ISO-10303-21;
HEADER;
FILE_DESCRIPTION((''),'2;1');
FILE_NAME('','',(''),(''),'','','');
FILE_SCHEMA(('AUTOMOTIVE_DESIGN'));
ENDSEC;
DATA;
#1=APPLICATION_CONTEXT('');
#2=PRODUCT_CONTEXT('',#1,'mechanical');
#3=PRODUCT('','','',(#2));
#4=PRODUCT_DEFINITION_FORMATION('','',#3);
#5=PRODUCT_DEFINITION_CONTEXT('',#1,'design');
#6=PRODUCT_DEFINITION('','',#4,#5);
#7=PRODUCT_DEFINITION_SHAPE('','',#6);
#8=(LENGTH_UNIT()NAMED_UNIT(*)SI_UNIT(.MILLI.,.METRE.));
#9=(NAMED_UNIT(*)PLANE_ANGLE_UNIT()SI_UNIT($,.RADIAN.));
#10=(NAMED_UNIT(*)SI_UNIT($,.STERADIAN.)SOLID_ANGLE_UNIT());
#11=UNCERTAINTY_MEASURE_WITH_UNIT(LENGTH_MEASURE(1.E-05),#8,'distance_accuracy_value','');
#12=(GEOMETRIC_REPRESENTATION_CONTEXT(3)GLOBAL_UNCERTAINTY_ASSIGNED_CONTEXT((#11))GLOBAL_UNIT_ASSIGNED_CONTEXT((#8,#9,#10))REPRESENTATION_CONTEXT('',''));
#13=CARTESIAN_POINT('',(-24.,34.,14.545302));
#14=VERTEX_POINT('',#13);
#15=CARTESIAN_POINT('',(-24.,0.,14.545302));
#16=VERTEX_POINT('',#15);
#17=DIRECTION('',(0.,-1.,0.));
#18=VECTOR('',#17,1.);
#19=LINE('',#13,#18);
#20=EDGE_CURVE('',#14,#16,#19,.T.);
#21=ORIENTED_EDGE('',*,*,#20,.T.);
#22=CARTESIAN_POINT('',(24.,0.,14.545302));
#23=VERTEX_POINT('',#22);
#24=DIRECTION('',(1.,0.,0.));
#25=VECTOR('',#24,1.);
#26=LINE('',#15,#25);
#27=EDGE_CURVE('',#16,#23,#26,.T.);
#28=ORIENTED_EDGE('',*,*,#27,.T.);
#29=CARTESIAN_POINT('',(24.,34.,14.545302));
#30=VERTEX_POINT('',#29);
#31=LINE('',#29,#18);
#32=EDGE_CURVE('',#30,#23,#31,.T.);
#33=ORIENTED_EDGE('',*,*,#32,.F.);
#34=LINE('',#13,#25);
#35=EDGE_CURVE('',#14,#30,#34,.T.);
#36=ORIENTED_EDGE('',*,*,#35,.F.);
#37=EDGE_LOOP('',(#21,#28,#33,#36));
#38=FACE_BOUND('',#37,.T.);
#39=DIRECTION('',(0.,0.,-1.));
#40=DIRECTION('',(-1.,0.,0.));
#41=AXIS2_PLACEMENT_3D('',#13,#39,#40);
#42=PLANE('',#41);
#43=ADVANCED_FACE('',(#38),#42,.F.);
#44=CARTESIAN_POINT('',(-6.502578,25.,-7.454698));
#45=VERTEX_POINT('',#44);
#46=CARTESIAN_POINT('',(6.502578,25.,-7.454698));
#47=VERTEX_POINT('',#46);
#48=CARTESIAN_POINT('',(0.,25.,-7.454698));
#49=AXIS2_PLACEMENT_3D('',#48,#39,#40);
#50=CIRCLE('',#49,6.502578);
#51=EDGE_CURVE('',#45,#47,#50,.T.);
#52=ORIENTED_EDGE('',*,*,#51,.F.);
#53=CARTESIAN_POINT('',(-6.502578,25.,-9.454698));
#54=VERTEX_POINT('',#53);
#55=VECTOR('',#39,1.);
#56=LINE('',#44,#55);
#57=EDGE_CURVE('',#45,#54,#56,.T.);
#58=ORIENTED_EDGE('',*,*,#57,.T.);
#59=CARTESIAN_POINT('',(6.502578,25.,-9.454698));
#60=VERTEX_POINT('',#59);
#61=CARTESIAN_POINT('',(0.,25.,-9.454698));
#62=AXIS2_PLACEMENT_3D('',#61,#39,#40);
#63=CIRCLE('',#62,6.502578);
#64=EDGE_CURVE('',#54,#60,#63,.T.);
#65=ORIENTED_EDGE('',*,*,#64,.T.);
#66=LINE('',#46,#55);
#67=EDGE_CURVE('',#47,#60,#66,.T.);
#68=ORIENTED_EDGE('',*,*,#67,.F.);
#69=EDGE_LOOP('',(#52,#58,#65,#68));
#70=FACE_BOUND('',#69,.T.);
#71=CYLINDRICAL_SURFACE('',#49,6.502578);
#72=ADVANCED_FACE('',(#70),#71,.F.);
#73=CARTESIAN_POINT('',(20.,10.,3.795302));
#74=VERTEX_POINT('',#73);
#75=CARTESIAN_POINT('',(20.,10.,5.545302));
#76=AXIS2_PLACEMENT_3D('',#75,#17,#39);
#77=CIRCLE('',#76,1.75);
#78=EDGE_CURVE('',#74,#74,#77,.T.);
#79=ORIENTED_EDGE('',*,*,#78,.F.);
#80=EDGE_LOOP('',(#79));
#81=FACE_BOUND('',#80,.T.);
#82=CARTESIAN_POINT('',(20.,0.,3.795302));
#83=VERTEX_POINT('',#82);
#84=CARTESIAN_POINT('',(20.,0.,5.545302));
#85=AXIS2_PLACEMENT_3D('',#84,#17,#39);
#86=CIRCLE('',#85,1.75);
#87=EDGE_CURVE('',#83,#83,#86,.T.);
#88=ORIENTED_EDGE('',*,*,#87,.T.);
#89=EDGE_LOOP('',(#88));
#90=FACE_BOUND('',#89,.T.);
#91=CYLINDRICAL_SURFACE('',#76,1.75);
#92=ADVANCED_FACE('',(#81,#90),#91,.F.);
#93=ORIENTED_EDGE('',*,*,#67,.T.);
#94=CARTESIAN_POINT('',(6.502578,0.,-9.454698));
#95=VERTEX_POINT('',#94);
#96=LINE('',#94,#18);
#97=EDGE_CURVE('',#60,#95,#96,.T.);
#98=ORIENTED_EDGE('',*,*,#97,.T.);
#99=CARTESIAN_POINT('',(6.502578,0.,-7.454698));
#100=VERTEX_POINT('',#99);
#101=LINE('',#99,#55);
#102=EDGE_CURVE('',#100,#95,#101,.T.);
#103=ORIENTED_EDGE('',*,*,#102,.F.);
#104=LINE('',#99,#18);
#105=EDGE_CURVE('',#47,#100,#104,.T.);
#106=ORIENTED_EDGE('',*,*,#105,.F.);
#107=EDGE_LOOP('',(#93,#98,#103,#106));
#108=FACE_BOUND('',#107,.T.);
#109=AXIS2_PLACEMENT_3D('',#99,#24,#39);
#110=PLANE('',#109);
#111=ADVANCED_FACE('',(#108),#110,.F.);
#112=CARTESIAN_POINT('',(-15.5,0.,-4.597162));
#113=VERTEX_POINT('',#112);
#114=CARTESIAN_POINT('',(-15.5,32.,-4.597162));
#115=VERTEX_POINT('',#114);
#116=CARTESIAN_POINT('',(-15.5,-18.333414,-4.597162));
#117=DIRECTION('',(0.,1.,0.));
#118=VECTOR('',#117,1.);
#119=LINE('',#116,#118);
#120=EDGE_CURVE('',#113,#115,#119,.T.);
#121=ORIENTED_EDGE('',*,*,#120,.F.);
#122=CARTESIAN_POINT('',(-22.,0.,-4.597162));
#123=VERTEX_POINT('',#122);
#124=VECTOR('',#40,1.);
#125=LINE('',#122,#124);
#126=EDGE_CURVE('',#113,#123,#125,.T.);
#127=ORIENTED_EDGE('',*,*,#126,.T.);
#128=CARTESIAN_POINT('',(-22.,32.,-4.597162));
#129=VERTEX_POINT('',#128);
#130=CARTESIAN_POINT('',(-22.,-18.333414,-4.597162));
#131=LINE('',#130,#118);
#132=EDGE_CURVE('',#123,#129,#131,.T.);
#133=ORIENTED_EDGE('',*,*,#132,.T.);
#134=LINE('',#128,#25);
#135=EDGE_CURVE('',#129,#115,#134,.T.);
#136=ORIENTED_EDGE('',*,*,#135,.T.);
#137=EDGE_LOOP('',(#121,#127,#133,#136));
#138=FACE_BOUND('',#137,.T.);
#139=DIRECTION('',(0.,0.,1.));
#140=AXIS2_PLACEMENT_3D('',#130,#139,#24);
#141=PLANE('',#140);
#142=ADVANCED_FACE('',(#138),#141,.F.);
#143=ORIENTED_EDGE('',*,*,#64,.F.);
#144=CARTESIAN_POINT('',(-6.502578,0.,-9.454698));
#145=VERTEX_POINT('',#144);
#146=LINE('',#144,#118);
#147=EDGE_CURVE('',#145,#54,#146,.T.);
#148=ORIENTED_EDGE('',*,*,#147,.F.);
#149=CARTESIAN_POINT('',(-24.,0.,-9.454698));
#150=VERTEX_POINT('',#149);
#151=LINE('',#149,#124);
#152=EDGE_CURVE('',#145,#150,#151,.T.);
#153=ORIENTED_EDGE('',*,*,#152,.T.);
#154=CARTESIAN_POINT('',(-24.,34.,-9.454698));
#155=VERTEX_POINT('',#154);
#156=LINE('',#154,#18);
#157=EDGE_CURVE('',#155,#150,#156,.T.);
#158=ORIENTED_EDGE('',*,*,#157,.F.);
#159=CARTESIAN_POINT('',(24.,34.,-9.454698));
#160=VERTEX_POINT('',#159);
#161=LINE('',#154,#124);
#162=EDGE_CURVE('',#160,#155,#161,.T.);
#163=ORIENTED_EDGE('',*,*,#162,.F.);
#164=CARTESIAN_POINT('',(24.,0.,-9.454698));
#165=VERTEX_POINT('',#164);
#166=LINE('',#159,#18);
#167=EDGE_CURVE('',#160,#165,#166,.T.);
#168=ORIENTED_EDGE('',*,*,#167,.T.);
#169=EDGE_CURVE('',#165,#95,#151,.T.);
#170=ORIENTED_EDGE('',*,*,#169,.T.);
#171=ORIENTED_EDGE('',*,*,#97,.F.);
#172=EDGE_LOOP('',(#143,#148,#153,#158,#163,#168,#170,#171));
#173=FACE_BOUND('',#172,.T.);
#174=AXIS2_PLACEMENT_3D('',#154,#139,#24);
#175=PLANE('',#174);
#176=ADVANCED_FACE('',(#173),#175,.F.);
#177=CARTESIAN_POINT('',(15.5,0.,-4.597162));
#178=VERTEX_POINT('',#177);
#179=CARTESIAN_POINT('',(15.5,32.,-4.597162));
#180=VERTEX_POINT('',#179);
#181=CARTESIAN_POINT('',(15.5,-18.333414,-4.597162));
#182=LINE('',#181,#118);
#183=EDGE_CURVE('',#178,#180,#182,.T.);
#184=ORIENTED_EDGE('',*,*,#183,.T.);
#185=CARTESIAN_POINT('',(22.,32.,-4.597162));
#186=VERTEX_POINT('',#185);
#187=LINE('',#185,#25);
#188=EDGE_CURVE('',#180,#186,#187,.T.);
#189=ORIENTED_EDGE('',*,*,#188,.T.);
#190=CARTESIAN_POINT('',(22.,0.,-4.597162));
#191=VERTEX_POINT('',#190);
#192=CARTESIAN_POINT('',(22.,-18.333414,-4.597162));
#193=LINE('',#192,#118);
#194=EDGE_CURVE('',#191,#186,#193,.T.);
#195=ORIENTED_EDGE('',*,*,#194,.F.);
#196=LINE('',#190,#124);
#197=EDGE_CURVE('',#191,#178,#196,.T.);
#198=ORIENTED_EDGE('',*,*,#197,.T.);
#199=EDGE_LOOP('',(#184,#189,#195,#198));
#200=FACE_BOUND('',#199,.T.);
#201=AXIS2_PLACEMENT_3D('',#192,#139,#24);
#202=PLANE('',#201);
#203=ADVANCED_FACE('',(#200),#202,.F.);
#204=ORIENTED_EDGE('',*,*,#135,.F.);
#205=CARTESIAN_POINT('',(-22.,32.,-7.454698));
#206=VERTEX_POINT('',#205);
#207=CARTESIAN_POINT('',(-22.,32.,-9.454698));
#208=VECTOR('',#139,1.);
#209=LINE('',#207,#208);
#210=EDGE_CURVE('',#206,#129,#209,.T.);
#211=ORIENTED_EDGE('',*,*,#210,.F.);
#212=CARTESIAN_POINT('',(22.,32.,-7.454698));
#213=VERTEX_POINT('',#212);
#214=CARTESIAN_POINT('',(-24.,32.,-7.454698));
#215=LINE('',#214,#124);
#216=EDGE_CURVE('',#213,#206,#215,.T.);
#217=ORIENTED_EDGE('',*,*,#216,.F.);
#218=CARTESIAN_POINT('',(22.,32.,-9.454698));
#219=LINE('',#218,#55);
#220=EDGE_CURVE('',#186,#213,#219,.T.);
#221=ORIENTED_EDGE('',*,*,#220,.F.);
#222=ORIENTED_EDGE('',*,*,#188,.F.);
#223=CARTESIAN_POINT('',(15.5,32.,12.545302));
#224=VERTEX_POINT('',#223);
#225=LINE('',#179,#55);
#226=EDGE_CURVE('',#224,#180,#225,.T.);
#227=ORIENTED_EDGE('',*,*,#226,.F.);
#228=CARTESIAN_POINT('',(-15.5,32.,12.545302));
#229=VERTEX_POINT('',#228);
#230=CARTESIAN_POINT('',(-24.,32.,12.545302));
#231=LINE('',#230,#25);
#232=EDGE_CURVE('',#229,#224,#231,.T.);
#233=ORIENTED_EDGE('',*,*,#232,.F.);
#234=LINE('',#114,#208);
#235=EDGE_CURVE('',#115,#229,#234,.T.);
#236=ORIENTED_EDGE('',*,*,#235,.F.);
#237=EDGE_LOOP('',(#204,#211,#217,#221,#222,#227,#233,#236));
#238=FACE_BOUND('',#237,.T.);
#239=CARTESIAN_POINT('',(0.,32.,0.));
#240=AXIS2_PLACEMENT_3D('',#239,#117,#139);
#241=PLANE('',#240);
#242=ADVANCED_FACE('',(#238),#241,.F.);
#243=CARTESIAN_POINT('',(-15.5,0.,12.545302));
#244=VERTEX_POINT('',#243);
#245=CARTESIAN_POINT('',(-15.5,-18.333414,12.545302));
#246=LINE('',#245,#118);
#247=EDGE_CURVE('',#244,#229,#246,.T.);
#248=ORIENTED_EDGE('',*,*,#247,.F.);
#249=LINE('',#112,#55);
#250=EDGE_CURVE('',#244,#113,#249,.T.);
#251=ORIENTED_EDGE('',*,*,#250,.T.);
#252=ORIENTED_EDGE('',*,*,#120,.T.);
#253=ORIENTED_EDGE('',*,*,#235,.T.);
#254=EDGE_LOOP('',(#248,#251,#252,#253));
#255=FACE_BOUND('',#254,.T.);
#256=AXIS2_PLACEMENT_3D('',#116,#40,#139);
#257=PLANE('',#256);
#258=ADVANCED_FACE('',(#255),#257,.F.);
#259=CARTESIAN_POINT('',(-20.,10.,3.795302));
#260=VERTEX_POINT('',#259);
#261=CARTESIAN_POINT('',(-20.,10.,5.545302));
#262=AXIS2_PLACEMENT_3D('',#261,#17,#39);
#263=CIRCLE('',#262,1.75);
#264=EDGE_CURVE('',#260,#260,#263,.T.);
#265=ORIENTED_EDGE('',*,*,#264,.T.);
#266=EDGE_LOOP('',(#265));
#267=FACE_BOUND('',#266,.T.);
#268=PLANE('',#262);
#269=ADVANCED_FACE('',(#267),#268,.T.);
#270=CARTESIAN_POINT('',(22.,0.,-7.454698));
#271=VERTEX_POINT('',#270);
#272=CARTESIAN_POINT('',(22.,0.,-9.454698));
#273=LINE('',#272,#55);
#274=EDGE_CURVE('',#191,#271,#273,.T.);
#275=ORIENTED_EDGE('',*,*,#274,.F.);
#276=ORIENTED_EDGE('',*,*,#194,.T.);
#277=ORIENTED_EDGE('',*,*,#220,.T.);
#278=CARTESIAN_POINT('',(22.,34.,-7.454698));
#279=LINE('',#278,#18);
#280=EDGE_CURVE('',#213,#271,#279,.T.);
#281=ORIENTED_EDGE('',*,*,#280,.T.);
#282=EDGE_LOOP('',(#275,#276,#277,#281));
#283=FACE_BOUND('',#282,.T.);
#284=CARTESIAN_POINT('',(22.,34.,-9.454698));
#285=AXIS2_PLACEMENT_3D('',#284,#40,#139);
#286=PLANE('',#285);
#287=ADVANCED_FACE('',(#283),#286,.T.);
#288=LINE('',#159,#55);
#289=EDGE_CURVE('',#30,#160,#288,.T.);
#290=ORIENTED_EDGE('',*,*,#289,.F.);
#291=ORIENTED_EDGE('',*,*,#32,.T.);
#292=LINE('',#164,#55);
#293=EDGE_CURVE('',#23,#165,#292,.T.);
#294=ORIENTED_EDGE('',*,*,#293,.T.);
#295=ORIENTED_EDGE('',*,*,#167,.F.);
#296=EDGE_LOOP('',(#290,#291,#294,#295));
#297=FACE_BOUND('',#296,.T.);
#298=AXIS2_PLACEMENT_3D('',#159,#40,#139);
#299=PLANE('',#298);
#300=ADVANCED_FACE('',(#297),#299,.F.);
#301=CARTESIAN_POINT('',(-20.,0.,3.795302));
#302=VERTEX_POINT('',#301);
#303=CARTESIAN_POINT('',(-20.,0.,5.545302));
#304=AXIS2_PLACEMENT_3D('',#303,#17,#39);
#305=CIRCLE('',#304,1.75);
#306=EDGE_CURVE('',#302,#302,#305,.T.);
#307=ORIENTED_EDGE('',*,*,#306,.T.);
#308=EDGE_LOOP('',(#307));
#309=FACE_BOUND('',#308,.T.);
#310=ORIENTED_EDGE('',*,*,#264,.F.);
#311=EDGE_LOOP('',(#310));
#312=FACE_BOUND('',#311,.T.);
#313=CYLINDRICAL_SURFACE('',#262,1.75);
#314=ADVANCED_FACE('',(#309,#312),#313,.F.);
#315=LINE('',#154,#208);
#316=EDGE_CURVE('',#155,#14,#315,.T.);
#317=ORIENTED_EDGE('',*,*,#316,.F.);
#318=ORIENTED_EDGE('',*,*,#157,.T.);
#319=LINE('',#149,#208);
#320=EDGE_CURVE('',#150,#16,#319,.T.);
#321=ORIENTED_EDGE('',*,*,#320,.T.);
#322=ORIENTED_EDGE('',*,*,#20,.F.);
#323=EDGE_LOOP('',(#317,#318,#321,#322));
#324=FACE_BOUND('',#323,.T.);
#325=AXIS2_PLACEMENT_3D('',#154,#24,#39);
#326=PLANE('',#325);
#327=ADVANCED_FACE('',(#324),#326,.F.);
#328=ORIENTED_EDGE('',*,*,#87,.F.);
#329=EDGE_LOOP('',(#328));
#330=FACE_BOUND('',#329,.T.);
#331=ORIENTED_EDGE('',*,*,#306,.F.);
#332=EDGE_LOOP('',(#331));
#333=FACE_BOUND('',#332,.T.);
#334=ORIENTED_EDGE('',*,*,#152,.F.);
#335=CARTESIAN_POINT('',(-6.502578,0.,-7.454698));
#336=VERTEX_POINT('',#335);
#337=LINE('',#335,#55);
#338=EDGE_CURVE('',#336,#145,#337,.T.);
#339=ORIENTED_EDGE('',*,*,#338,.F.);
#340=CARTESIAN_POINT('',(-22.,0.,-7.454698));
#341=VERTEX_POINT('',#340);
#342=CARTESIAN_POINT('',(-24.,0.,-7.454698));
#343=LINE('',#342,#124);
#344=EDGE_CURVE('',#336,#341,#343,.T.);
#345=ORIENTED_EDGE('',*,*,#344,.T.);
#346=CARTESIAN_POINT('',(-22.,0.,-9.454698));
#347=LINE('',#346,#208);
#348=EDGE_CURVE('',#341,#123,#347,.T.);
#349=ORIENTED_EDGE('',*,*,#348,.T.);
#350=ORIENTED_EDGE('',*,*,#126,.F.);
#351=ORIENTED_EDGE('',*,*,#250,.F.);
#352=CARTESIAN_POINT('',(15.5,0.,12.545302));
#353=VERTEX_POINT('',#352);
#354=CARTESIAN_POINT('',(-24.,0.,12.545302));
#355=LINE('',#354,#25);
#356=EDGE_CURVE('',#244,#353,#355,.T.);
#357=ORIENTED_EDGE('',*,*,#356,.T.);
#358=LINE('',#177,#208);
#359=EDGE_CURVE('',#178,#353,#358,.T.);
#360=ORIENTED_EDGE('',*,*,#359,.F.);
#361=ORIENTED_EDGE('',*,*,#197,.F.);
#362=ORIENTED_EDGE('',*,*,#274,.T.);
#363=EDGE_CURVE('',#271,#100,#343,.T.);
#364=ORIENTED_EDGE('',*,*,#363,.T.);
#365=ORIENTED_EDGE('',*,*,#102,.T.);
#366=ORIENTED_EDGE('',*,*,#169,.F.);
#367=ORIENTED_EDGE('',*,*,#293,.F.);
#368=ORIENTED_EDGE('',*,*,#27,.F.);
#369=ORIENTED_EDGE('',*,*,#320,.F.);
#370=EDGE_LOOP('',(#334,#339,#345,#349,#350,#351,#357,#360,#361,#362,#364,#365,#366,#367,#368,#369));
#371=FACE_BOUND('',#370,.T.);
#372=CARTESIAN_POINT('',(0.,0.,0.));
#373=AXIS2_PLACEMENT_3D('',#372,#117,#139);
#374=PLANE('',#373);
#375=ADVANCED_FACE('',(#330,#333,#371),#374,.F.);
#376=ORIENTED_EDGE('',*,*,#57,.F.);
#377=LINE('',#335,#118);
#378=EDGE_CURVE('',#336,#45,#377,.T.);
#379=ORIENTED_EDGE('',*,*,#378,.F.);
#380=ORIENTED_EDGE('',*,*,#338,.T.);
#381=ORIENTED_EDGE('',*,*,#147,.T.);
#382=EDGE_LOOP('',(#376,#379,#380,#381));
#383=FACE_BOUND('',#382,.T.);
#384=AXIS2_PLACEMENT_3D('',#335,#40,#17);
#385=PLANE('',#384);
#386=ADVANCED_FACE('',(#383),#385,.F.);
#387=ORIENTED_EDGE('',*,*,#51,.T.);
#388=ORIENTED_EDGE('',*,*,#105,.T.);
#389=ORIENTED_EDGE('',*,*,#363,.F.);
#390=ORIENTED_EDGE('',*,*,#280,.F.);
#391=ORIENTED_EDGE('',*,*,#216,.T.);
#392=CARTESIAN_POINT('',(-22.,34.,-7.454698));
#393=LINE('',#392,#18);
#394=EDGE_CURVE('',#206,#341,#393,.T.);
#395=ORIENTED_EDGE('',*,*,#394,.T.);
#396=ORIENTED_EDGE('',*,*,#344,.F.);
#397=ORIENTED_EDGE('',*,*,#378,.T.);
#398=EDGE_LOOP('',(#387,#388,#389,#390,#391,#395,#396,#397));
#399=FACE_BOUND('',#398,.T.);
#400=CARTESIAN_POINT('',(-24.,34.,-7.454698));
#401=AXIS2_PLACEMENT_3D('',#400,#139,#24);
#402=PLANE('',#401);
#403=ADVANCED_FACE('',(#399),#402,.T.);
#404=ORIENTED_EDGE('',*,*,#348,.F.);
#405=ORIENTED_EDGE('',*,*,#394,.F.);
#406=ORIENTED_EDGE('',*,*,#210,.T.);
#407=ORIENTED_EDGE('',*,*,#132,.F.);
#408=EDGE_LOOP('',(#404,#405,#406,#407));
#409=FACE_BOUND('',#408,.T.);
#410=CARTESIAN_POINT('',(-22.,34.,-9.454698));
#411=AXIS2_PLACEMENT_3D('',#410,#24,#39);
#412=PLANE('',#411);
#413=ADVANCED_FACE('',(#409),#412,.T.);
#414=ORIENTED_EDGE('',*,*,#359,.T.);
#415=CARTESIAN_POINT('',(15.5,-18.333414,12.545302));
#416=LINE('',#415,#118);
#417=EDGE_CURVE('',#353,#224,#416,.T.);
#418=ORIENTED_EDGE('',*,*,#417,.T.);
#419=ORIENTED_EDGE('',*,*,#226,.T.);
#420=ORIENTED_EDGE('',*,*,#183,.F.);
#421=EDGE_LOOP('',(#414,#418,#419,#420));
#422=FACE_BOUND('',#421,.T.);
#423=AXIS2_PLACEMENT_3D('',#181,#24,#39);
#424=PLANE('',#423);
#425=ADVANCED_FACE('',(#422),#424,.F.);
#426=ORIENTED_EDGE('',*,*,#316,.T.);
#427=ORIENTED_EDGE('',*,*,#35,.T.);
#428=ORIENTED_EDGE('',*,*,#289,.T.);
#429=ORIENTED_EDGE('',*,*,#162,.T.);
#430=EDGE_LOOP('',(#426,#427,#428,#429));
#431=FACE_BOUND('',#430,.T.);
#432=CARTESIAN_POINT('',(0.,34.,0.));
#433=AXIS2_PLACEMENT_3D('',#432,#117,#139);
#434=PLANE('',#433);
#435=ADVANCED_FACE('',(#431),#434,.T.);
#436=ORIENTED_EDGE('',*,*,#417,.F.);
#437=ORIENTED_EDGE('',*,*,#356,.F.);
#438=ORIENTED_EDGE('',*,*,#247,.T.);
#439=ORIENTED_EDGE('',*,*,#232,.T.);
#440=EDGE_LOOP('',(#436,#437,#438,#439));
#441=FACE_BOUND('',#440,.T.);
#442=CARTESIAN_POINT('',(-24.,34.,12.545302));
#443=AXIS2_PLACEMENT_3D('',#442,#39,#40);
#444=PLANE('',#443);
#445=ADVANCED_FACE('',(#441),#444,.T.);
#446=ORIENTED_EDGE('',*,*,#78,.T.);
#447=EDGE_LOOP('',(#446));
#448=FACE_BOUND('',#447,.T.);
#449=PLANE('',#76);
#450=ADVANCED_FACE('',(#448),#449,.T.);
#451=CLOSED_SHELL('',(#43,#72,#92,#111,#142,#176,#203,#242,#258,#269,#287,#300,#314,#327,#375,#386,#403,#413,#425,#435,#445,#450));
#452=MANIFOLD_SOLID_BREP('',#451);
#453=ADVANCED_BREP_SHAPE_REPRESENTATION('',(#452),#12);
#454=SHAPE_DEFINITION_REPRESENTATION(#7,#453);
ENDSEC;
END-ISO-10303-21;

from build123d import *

# Parameters (mm, degrees)
SKETCH1_W           = 48
SKETCH1_H           = 24
BOSS_EXTRUDE1_DEPTH = 34
SHELL1_T            = -2
CUT_EXTRUDE1_DEPTH  = 2
SKETCH3_W           = 6.5
SKETCH3_H           = 17.142463893
BOSS_EXTRUDE2_DEPTH = 32
SKETCH4_R           = 1.75
CUT_EXTRUDE2_DEPTH  = 10


with BuildPart() as part:
    # Sketch1 → Boss-Extrude1 (new body)
    with BuildSketch(Plane(origin=(0, 0, 0), x_dir=(1, 0, 0), z_dir=(0, 1, 0))):
        with Locations((0, -2.545302013)):
            Rectangle(SKETCH1_W, SKETCH1_H)
    extrude(amount=BOSS_EXTRUDE1_DEPTH)

    # Shell1
    shell1_openings = [part.faces().sort_by_distance(p)[0] for p in [
        (0, 0, 2.545302013),
    ]]
    offset(amount=SHELL1_T, openings=shell1_openings, kind=Kind.INTERSECTION)

    # Sketch2 → Cut-Extrude1 (cut)
    with BuildSketch(Plane(origin=(0, 0, -9.454697987), x_dir=(-1, 0, 0), z_dir=(0, 0, -1))):
        with BuildLine():
            Line((-6.502577746, 0), (6.502577746, 0))
            Line((6.502577746, 0), (6.502577746, 25))
            ThreePointArc((6.502577746, 25), (0, 31.502577746), (-6.502577746, 25))
            Line((-6.502577746, 25), (-6.502577746, 0))
        make_face()
    extrude(amount=-CUT_EXTRUDE1_DEPTH, mode=Mode.SUBTRACT)

    # Sketch3 → Boss-Extrude2 (add)
    with BuildSketch(Plane.XZ.offset(-32)):
        with Locations((18.75, 3.974070066)):
            Rectangle(SKETCH3_W, SKETCH3_H)
        with Locations((-18.75, 3.974070066)):
            Rectangle(SKETCH3_W, SKETCH3_H)
    extrude(amount=BOSS_EXTRUDE2_DEPTH)

    # Sketch4 → Cut-Extrude2 (cut)
    with BuildSketch(Plane.XZ):
        with Locations((20, 5.545302013)):
            Circle(SKETCH4_R)
        with Locations((-20, 5.545302013)):
            Circle(SKETCH4_R)
    extrude(amount=-CUT_EXTRUDE2_DEPTH, mode=Mode.SUBTRACT)


solid = part.part
